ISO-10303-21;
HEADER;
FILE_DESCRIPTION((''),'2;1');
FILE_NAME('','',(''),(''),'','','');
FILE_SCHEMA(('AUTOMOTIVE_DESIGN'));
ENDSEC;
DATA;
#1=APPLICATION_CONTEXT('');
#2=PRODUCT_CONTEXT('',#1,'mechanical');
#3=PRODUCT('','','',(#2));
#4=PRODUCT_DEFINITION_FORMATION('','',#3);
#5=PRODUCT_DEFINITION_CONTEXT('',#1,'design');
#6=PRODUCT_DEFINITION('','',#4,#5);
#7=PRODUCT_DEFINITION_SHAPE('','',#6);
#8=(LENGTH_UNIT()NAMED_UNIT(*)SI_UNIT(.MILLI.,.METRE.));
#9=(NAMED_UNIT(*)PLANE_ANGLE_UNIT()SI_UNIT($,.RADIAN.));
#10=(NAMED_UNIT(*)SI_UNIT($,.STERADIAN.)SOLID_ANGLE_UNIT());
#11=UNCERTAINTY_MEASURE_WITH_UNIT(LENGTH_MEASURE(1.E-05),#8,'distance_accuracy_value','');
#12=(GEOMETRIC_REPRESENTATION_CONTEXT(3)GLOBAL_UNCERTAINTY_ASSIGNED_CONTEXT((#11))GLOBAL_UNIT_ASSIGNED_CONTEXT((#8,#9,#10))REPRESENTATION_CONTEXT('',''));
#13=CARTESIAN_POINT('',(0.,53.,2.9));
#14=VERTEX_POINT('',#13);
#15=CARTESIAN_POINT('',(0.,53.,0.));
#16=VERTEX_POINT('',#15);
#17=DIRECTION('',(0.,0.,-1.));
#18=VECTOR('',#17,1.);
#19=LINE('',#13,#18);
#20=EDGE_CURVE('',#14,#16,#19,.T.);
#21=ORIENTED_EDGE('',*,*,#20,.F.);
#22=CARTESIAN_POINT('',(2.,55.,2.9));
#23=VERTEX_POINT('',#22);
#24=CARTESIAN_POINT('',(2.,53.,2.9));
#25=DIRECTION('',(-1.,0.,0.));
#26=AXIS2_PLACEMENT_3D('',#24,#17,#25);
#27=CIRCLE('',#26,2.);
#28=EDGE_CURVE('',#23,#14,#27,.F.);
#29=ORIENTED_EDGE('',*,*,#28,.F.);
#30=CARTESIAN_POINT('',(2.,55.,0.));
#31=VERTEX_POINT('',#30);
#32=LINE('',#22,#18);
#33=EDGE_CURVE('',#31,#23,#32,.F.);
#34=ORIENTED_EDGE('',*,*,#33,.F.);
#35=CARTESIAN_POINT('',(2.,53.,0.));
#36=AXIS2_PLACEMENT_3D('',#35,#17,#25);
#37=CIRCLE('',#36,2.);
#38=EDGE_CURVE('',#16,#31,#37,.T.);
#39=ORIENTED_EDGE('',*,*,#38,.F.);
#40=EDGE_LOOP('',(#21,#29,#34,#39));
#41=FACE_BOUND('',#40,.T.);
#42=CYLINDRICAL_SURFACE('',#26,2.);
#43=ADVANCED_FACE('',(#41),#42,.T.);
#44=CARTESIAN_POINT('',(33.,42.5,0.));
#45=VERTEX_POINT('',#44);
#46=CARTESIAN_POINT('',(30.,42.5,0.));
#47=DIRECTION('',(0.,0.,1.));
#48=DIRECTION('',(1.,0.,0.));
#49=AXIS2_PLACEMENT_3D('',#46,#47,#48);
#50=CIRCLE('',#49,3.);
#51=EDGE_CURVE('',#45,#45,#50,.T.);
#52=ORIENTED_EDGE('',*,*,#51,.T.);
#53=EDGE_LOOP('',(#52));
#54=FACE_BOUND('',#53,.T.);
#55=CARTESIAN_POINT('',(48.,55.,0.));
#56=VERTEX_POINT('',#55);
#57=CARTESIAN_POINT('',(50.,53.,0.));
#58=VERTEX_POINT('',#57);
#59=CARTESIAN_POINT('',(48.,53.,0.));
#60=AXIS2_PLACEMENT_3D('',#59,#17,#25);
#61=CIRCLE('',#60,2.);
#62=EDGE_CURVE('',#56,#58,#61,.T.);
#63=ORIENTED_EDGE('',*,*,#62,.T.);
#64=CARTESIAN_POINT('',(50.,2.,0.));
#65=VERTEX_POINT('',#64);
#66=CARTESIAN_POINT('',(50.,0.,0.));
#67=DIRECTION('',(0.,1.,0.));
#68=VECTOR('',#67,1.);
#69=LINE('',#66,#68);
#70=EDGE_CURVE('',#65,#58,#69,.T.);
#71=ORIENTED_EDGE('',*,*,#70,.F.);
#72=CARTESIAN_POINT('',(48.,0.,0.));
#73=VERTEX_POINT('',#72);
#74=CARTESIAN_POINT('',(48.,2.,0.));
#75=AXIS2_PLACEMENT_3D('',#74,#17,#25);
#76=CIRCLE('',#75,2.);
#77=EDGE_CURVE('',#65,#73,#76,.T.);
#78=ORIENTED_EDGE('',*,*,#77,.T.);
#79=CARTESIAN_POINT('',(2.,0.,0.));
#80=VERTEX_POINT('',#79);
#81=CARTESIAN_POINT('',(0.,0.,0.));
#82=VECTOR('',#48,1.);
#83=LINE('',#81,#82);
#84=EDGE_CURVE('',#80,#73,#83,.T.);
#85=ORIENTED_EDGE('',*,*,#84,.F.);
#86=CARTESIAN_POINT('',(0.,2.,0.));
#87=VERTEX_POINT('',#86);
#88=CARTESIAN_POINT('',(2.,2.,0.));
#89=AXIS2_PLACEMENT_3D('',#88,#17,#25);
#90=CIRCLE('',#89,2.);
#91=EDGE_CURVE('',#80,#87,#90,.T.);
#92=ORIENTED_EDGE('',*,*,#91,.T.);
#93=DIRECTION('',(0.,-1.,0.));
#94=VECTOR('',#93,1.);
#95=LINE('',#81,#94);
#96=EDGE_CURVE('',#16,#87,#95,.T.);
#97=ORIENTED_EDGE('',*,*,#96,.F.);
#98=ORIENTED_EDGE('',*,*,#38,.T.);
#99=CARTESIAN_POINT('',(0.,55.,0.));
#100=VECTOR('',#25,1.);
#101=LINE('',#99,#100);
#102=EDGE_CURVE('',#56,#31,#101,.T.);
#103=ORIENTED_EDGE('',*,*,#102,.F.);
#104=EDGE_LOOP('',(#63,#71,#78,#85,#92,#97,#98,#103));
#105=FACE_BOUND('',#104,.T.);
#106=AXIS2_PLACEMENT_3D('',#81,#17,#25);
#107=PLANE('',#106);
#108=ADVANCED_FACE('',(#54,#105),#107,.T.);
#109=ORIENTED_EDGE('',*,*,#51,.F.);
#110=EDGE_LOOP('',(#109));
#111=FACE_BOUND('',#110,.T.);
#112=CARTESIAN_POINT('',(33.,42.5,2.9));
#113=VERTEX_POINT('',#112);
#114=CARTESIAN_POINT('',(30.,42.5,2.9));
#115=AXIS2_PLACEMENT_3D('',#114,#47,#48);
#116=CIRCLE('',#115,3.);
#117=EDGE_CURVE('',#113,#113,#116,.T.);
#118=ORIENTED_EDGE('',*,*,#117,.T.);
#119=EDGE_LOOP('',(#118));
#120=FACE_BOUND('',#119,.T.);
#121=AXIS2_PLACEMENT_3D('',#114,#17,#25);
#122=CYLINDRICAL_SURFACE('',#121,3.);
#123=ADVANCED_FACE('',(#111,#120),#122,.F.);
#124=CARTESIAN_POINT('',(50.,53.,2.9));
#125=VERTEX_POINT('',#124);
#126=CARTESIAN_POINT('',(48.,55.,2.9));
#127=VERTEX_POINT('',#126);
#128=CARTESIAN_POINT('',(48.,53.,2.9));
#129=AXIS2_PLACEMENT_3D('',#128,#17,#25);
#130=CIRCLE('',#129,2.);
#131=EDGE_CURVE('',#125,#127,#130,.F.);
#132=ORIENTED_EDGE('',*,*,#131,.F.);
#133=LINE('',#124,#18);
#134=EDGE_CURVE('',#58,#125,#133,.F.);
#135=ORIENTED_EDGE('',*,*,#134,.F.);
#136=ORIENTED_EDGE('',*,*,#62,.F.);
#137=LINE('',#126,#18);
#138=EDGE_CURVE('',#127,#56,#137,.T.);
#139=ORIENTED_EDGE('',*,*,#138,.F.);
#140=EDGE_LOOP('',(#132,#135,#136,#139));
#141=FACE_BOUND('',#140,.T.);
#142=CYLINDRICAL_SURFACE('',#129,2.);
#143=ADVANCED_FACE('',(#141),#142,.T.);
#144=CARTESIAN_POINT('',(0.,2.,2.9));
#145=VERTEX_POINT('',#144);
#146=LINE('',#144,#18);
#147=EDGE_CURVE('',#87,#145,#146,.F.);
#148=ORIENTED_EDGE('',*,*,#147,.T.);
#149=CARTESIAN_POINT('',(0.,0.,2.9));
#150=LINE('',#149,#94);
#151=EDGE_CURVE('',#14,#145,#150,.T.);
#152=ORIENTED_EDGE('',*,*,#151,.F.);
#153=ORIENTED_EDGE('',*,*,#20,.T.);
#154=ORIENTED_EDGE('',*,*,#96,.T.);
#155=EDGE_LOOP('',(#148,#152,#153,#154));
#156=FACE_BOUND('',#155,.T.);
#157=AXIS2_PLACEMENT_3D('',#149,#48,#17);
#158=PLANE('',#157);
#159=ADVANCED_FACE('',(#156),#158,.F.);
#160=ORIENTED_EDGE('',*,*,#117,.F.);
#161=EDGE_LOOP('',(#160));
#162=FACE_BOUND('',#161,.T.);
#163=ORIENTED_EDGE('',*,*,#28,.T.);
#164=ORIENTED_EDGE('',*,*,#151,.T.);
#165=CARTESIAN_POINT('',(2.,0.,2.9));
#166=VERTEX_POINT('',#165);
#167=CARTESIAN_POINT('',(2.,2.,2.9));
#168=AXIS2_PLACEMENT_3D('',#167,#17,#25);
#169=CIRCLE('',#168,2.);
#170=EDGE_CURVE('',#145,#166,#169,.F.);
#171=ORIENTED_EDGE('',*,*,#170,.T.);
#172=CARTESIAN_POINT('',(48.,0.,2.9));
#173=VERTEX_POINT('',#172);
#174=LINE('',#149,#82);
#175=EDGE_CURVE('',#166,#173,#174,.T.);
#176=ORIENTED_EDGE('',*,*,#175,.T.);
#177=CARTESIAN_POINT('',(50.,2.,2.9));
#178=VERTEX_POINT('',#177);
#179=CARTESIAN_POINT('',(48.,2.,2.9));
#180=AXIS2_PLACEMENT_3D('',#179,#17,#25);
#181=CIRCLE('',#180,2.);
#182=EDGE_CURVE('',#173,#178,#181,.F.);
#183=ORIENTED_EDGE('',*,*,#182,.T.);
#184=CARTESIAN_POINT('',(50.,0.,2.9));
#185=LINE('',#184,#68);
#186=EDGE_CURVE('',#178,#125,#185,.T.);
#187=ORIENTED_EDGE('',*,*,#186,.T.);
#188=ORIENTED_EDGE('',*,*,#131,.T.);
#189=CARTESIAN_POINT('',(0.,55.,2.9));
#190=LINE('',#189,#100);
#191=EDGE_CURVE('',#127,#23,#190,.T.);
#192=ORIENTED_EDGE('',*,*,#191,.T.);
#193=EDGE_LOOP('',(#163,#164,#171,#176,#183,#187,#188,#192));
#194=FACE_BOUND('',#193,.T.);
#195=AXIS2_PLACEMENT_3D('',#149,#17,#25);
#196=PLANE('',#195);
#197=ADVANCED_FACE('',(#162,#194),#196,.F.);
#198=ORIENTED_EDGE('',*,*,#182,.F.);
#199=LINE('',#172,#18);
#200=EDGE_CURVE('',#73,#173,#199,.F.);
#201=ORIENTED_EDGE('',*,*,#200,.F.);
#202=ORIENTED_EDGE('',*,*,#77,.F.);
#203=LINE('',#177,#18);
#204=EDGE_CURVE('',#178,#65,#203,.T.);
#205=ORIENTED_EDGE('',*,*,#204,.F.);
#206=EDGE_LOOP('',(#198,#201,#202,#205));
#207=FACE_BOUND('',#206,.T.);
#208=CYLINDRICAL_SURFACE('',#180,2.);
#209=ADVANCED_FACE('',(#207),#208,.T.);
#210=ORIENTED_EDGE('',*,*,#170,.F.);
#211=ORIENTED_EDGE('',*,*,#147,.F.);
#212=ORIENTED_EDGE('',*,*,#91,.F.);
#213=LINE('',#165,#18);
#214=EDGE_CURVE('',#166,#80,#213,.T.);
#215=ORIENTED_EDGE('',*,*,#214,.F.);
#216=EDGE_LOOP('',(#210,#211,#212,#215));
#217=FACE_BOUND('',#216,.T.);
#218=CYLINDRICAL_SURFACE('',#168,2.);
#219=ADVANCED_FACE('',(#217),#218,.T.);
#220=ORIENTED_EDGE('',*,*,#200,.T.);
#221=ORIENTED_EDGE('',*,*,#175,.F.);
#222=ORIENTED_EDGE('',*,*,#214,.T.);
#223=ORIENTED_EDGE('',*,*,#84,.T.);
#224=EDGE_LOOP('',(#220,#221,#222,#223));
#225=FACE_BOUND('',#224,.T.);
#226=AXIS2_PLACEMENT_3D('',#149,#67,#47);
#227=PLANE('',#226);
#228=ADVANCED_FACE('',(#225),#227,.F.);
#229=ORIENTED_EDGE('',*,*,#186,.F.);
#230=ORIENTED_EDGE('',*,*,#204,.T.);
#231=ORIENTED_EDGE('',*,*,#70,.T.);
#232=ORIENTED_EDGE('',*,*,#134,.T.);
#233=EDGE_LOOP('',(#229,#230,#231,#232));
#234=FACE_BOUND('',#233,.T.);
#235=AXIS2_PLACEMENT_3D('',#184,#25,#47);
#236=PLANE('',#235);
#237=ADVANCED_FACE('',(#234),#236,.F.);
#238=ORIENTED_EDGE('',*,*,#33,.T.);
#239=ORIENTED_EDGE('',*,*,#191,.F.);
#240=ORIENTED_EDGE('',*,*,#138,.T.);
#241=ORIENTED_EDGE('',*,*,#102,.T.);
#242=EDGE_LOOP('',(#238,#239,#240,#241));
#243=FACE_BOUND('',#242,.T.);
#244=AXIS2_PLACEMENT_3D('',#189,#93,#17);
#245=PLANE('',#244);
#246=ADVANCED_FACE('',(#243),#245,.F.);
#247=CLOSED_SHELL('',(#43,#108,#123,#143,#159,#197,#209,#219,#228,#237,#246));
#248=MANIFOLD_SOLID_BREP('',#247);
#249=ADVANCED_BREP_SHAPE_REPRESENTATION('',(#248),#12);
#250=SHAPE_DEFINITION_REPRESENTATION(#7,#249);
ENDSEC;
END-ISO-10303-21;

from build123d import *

# Parameters (mm, degrees)
CROQUIS1_W              = 50
CROQUIS1_H              = 55
CROQUIS1_R              = 3
SALIENTE_EXTRUIR1_DEPTH = 2.9
REDONDEO1_R             = 2
REDONDEO2_R             = 2


with BuildPart() as part:
    # Croquis1 → Saliente-Extruir1 (new body)
    with BuildSketch(Plane.XY):
        with Locations((25, 27.5)):
            Rectangle(CROQUIS1_W, CROQUIS1_H)
        with Locations((30, 42.5)):
            Circle(CROQUIS1_R, mode=Mode.SUBTRACT)
    extrude(amount=SALIENTE_EXTRUIR1_DEPTH)

    # Redondeo1
    redondeo1_edges = [part.edges().sort_by_distance(p)[0] for p in [
        (50, 0, 1.45),
        (0, 0, 1.45),
    ]]
    fillet(redondeo1_edges, radius=REDONDEO1_R)

    # Redondeo2
    redondeo2_edges = [part.edges().sort_by_distance(p)[0] for p in [
        (0, 55, 1.45),
        (50, 55, 1.45),
    ]]
    fillet(redondeo2_edges, radius=REDONDEO2_R)


solid = part.part
